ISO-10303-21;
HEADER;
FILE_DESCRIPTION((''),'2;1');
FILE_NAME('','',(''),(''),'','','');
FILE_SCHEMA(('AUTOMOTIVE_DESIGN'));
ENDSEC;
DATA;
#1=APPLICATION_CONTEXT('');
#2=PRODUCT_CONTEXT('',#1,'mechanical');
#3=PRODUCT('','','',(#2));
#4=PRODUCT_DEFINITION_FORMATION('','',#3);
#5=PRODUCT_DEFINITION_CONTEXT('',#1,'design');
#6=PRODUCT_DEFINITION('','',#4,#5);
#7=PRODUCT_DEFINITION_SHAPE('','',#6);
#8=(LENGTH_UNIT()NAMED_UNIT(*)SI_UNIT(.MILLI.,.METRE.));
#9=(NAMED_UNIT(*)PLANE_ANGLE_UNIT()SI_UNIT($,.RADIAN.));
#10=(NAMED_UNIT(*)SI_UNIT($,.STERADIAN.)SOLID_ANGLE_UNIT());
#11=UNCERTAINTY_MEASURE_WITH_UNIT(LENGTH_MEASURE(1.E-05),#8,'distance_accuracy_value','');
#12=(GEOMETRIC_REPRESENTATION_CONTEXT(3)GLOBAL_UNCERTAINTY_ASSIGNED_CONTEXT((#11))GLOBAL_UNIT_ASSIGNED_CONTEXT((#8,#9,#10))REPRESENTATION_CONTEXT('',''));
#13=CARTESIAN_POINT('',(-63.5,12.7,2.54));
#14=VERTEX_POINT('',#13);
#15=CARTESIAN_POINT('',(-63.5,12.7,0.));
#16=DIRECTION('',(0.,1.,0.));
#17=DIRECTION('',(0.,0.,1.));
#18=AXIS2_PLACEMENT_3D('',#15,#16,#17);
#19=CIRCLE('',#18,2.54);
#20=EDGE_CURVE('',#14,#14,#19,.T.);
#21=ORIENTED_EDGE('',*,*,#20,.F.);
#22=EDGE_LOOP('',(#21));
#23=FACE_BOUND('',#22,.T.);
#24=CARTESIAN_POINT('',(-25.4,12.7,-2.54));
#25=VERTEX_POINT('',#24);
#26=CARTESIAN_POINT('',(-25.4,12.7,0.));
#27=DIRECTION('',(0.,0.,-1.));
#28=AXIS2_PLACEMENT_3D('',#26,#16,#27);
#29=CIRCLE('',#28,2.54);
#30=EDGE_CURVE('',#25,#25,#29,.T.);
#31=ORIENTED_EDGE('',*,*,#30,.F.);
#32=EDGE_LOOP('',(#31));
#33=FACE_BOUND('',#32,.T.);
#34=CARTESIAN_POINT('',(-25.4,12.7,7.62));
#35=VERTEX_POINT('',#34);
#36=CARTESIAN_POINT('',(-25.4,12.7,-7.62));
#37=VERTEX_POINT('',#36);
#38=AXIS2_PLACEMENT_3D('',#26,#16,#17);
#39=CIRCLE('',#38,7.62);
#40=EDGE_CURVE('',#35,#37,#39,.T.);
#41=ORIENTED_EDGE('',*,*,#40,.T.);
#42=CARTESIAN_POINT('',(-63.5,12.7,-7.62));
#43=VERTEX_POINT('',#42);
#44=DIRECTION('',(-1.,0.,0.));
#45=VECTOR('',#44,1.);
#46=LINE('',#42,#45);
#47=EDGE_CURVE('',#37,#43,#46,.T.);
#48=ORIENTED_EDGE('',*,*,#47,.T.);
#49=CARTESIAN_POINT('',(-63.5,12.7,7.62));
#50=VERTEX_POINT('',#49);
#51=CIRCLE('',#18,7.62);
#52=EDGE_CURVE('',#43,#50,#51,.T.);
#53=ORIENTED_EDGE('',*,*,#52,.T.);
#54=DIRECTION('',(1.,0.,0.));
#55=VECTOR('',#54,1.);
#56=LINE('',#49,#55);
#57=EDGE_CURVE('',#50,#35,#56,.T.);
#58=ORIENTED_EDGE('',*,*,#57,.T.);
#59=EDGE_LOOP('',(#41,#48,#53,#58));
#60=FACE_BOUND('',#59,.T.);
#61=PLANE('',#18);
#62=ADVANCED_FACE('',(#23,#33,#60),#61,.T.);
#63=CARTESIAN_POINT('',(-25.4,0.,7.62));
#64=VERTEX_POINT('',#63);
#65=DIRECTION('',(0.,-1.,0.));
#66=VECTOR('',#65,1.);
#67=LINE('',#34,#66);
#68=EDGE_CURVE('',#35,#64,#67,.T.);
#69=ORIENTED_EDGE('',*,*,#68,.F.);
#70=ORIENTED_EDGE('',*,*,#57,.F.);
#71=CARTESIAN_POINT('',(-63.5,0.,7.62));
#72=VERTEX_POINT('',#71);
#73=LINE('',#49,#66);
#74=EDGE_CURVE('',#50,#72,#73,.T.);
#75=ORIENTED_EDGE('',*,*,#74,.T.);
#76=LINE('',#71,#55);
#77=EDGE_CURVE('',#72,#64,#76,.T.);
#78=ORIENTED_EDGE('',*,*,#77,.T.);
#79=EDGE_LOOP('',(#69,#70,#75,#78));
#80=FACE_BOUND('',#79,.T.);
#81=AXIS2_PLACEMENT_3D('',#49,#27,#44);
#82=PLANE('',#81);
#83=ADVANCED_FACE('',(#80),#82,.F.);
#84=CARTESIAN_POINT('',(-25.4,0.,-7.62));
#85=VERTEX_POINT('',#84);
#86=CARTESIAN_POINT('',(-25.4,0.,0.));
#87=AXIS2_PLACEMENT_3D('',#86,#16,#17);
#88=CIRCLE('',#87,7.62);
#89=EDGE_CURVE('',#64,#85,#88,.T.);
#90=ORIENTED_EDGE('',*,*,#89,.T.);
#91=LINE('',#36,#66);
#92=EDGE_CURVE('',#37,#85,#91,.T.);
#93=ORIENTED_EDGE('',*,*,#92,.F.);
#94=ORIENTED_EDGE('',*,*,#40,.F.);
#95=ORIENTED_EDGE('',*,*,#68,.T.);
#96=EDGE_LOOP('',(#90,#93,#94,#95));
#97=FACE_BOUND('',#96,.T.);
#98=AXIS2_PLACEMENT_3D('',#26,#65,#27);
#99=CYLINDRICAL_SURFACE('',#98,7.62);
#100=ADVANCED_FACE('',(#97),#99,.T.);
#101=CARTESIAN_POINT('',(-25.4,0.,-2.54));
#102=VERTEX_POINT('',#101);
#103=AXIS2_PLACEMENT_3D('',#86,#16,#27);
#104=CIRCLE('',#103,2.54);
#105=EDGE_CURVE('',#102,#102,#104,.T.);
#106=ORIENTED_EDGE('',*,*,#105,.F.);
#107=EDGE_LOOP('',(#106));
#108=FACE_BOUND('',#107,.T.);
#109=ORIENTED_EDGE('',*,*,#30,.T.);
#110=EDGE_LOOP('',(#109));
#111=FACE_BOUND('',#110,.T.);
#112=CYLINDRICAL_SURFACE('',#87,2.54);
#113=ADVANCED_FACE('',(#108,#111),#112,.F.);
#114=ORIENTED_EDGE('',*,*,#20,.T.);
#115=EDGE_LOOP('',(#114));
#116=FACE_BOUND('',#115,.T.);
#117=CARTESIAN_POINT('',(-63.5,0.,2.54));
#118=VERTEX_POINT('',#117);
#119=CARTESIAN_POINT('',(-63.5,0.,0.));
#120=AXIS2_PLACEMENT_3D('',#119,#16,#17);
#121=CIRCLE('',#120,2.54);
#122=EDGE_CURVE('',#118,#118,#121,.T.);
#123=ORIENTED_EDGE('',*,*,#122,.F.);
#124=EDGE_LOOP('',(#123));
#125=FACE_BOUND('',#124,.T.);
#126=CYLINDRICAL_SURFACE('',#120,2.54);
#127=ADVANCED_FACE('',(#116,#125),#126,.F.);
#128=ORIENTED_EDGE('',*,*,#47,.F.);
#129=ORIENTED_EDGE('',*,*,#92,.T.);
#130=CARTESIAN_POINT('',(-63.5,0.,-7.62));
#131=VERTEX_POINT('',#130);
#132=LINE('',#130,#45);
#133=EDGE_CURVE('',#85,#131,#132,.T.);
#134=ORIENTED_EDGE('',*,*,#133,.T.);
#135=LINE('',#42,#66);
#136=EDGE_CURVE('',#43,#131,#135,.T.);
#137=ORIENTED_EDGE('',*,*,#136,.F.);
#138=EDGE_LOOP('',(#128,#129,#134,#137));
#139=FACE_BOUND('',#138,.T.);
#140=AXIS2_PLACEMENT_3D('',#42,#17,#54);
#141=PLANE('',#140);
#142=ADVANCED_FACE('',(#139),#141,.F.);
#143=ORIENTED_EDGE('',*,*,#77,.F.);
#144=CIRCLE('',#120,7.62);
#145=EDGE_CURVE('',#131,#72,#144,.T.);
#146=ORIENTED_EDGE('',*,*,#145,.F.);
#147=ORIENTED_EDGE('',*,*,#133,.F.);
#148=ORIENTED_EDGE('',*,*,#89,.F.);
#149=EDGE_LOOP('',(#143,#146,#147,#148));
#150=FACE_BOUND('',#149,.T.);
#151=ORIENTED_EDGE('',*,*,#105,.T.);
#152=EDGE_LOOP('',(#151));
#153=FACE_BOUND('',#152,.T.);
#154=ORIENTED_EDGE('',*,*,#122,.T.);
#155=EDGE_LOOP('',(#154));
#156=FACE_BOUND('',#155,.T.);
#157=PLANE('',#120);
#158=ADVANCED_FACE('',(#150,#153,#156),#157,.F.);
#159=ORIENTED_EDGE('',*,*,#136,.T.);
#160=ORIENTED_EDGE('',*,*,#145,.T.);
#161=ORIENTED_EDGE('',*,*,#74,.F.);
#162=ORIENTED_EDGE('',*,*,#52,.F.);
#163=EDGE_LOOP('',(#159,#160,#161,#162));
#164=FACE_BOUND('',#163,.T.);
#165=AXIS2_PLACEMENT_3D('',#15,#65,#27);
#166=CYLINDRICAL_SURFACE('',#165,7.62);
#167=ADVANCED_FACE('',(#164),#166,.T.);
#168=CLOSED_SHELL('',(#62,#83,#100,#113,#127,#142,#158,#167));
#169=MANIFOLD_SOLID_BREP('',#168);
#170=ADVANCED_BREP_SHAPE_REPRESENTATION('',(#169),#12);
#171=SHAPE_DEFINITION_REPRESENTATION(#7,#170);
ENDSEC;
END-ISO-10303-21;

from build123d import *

# Parameters (mm, degrees)
BOSS_EXTRUDE1_DEPTH = 12.7
SKETCH4_R           = 2.54
CUT_EXTRUDE3_DEPTH  = 73.645776202


with BuildPart() as part:
    # Sketch3 → Boss-Extrude1 (new body)
    with BuildSketch(Plane(origin=(0, 0, 0), x_dir=(1, 0, 0), z_dir=(0, 1, 0))):
        with BuildLine():
            Line((-63.5, 7.62), (-25.4, 7.62))
            ThreePointArc((-25.4, 7.62), (-17.78, 0), (-25.4, -7.62))
            Line((-25.4, -7.62), (-63.5, -7.62))
            ThreePointArc((-63.5, -7.62), (-71.12, 0), (-63.5, 7.62))
        make_face()
    extrude(amount=BOSS_EXTRUDE1_DEPTH)

    # Sketch4 → Cut-Extrude3 (cut, through all)
    with BuildSketch(Plane(origin=(0, 12.7, 0), x_dir=(1, 0, 0), z_dir=(0, 1, 0))):
        with Locations(Location((-63.5, 0, 0), (0, 0, 270))):
            Circle(SKETCH4_R)
        with Locations(Location((-25.4, 0, 0), (0, 0, 90))):
            Circle(SKETCH4_R)
    extrude(amount=-CUT_EXTRUDE3_DEPTH, mode=Mode.SUBTRACT)


solid = part.part
